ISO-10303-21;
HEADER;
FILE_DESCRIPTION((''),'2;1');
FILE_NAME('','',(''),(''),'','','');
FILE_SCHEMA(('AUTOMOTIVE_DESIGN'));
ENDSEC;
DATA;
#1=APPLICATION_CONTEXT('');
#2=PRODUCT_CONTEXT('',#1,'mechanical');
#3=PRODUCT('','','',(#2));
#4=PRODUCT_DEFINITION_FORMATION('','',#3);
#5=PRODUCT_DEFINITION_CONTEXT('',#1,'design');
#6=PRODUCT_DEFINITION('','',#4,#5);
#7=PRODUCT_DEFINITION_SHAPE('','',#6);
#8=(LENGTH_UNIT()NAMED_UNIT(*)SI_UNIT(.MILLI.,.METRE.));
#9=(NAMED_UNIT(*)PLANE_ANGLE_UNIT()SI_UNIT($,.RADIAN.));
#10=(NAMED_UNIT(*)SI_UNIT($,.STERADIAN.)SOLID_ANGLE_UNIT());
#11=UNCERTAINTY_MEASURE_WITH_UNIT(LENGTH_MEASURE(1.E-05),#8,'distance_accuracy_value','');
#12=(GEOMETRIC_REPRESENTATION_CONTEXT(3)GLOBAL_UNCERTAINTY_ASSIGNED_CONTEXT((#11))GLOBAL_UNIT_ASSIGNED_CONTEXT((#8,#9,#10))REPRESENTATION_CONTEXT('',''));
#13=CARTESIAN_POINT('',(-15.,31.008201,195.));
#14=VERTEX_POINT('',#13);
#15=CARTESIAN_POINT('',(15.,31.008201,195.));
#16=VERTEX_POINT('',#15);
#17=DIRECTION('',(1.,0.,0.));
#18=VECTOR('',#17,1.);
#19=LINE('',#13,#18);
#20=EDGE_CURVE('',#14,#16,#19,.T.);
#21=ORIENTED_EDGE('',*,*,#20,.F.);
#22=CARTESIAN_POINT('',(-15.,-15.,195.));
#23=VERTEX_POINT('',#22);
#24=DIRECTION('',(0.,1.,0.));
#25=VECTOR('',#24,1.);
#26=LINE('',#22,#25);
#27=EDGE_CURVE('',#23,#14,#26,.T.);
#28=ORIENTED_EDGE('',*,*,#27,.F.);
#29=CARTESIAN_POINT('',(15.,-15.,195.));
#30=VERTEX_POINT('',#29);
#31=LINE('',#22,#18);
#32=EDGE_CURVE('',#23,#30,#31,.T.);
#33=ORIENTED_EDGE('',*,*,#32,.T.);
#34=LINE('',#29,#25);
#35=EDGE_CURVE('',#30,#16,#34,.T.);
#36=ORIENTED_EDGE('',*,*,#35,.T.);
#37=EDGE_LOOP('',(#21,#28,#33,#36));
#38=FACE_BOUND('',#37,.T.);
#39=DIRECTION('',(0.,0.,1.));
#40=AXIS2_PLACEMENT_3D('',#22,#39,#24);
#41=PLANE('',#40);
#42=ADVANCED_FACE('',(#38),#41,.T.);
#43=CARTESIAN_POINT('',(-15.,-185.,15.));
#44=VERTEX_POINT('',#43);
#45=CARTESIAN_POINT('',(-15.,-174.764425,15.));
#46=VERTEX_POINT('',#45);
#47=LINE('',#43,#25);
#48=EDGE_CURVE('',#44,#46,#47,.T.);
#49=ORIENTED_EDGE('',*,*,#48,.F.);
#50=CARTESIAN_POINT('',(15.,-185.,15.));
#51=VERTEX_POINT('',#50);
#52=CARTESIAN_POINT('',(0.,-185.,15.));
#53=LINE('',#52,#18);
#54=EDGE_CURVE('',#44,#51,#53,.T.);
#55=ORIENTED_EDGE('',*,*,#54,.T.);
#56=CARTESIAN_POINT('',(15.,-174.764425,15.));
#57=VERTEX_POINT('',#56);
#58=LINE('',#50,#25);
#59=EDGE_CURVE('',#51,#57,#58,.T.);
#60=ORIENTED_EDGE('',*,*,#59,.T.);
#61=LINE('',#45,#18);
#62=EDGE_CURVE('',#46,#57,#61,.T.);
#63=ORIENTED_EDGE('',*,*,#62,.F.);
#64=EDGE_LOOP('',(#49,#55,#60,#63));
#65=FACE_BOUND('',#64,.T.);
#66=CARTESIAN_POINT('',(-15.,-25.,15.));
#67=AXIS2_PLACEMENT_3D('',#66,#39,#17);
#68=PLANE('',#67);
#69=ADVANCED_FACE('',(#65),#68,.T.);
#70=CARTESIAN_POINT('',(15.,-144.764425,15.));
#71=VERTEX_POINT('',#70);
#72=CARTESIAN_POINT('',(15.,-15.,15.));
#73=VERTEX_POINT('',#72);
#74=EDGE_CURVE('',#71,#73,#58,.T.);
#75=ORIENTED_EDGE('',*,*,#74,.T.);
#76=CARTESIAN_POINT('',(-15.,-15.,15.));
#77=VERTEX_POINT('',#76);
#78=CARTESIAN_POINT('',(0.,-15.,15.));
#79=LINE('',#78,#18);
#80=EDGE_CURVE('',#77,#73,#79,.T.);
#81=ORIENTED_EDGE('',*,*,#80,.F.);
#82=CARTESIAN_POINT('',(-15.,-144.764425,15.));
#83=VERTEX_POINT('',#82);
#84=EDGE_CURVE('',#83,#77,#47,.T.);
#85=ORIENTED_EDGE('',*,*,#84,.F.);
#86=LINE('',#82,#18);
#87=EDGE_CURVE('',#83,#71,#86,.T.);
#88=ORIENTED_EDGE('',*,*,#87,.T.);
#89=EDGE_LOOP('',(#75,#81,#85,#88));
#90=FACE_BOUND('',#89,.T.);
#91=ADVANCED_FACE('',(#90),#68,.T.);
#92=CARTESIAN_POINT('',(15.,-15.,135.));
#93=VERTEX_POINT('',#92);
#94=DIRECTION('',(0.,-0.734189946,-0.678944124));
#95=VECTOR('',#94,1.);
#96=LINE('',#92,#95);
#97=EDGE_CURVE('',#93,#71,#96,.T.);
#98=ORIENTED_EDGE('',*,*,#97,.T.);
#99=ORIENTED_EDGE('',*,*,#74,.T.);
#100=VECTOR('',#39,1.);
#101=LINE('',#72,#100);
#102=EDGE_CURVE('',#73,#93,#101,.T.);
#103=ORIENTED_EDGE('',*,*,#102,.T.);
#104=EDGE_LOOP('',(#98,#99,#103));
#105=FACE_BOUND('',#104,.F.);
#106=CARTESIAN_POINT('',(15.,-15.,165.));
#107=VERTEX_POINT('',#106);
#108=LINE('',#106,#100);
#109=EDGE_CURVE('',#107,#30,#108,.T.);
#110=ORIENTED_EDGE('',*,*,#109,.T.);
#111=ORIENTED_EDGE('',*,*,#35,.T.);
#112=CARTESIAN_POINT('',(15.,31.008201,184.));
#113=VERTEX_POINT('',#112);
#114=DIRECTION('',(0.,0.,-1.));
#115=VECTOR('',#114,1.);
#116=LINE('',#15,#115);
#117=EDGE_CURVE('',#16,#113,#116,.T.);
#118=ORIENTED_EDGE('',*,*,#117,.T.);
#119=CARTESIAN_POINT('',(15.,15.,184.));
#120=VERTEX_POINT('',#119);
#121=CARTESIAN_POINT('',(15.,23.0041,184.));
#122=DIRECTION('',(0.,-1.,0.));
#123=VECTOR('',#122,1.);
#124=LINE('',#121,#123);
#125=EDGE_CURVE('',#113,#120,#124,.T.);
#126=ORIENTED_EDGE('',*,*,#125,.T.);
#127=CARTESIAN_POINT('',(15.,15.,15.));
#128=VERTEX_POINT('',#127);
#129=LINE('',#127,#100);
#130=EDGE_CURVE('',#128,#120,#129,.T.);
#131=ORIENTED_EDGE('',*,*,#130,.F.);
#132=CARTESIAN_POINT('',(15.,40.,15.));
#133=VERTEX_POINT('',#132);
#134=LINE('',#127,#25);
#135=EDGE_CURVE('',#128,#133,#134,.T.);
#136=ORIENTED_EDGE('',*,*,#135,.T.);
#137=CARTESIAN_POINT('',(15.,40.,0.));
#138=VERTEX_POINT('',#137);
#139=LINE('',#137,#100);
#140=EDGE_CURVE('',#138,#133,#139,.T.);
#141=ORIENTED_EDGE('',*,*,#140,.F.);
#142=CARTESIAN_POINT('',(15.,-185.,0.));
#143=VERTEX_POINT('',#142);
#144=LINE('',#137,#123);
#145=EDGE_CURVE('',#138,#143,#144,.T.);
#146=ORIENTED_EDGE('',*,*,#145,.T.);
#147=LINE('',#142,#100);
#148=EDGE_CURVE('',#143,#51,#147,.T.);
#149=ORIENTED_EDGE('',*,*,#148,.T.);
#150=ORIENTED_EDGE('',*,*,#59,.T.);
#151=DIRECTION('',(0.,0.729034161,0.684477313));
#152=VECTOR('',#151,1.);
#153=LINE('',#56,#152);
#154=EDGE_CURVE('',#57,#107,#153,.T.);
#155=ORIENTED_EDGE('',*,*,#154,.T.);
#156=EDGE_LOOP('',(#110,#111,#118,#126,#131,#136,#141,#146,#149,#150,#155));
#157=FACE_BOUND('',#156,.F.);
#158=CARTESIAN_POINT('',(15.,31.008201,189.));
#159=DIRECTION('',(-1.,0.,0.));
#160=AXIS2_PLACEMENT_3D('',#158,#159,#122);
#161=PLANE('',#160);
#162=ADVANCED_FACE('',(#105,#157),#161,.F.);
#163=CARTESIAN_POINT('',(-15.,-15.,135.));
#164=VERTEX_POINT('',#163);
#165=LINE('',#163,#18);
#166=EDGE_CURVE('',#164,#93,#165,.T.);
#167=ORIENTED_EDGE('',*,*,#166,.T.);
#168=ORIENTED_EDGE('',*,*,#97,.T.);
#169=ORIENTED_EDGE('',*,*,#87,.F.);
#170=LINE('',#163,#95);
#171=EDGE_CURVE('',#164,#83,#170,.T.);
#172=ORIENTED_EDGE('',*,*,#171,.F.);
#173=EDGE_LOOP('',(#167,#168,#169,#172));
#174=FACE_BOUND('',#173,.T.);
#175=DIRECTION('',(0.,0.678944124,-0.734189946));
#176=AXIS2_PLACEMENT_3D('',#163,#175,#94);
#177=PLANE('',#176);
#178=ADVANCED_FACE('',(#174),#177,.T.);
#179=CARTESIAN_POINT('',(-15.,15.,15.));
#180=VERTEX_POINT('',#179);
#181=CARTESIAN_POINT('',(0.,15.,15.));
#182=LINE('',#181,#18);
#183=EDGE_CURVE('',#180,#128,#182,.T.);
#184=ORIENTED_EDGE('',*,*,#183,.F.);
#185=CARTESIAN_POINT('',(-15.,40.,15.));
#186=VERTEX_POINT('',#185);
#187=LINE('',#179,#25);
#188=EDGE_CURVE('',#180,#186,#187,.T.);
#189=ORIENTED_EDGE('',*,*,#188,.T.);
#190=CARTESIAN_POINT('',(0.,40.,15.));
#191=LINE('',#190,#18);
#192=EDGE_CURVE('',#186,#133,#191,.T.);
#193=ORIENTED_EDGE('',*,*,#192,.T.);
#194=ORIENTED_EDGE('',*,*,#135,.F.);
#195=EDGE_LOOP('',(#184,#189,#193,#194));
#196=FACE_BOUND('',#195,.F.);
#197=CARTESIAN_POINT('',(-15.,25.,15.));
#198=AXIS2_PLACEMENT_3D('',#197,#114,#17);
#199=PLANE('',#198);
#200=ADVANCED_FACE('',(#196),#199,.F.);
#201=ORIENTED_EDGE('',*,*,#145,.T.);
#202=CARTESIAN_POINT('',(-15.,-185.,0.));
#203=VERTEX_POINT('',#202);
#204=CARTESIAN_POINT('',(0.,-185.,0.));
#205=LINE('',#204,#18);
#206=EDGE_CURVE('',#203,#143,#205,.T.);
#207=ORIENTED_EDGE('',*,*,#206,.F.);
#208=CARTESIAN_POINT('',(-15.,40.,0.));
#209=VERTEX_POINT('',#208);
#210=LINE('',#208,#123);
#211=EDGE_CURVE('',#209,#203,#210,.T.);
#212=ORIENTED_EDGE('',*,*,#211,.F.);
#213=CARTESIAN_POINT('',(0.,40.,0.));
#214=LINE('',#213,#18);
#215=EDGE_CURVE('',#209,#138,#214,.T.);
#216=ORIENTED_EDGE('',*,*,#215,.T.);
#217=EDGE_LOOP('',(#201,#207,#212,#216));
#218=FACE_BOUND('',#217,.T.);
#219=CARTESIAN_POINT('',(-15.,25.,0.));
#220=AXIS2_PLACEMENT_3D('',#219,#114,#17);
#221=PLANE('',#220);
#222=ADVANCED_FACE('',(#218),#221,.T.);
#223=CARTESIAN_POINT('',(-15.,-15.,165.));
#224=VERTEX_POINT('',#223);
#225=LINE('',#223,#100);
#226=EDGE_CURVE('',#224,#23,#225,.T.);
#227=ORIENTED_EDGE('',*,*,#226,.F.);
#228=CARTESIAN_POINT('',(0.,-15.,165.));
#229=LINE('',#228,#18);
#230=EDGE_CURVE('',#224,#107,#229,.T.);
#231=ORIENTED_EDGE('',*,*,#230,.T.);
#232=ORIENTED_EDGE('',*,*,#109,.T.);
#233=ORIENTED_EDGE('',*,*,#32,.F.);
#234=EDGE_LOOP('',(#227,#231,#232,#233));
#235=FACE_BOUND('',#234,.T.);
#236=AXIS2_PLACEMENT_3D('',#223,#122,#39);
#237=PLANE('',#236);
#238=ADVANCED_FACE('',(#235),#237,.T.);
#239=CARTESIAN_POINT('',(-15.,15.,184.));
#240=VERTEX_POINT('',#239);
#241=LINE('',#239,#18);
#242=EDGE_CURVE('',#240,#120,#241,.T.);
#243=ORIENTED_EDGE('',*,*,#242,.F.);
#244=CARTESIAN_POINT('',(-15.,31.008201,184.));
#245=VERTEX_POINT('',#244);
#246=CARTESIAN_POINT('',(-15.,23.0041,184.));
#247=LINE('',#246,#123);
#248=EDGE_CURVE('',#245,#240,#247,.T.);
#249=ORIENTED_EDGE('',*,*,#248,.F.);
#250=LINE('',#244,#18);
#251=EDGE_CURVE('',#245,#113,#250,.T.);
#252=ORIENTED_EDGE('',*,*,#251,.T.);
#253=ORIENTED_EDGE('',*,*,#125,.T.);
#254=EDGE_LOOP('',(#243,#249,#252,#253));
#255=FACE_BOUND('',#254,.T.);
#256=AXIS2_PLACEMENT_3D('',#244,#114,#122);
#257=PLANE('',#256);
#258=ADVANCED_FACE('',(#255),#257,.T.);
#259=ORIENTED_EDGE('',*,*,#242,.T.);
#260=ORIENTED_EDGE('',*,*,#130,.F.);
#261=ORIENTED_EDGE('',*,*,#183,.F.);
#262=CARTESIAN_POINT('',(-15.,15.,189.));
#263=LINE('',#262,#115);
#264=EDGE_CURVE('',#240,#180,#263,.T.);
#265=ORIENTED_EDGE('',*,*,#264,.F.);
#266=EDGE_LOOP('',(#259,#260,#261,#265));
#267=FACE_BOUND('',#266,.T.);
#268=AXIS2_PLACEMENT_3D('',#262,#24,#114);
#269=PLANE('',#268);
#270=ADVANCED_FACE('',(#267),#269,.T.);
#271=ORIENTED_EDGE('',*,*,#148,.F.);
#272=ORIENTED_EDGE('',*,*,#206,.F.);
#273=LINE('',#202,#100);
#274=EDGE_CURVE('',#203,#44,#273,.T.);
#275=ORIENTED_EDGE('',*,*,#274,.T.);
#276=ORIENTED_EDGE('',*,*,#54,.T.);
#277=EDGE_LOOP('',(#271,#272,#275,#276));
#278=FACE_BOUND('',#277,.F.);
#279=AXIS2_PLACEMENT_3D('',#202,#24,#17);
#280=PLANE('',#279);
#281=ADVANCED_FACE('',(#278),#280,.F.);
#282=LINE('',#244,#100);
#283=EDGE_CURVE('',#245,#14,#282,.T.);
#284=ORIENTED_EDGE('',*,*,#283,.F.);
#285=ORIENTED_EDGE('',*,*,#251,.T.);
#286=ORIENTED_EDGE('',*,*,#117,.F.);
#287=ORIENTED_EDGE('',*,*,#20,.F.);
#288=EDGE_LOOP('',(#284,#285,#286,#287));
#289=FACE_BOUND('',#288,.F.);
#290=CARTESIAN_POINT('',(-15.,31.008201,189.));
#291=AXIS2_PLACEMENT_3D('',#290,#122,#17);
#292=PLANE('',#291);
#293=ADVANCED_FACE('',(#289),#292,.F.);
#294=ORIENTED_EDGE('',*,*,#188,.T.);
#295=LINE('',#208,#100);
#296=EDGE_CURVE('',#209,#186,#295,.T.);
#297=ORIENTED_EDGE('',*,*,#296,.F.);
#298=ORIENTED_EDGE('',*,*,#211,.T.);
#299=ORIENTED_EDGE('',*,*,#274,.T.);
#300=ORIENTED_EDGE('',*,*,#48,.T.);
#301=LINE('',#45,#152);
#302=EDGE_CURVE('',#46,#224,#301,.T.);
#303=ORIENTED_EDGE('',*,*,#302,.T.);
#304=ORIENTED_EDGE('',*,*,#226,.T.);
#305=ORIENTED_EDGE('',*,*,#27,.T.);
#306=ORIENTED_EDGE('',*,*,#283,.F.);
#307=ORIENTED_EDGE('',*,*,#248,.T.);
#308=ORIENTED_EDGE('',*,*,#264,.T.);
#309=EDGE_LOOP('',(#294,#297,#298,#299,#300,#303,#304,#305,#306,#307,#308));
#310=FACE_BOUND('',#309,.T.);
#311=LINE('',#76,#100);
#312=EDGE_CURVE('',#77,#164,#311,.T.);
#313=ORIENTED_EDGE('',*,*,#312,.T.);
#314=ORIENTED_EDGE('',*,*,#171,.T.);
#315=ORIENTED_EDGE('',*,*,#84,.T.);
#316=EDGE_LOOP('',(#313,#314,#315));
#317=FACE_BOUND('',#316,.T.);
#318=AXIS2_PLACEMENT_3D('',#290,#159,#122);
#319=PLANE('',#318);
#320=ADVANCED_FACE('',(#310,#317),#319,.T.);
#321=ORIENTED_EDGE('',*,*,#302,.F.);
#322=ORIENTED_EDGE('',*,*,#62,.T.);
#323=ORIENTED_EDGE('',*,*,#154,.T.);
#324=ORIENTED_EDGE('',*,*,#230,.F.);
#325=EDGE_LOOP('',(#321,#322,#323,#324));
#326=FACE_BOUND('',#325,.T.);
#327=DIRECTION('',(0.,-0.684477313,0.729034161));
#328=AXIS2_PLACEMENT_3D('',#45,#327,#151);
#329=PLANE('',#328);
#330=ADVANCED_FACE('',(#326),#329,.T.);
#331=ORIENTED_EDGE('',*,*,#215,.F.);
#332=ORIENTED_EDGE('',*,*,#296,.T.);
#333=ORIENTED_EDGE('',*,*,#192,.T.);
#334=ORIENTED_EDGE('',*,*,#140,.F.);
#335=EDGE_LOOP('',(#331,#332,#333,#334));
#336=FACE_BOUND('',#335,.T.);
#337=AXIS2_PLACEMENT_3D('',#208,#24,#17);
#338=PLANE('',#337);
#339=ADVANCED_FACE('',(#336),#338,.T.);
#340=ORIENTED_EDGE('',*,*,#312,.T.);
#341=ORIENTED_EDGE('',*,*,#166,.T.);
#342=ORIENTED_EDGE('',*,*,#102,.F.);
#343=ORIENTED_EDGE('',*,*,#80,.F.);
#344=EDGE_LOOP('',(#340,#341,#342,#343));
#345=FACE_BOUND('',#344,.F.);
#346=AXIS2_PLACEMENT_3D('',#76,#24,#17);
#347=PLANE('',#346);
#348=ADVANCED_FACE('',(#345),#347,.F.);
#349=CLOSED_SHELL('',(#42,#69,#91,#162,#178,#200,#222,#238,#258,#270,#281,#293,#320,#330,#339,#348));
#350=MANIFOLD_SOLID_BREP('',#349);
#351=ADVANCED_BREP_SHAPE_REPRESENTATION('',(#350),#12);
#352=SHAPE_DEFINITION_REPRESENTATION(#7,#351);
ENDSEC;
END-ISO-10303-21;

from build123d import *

# Parameters (mm, degrees)
F0_W      = 30
F0_H      = 50
F1_DEPTH  = 15
F2_W      = 30
F2_H      = 30
F3_DEPTH  = 150
F4_DEPTH  = 160
F6_DEPTH  = 30
F7_W      = 16.00820072
F7_H      = 6
F8_DEPTH  = 30
F9_DEPTH  = 15
F10_DEPTH = 5


with BuildPart() as f1:
    # F0 (on Top) → F1 (new body)
    with BuildSketch(Plane.XY):
        Rectangle(F0_W, F0_H)
    extrude(amount=F1_DEPTH)

    # F2 (on face) → F3 (join)
    with BuildSketch(Plane.XY.offset(15)):
        Rectangle(F2_W, F2_H)
    extrude(amount=F3_DEPTH)

    # F4 (add): a face of the model
    f4_faces = [f1.faces().sort_by_distance(p)[0] for p in [
        (0, -25, 7.5),
    ]]
    extrude(f4_faces, amount=F4_DEPTH)

    # F5 (on face) → F6 (join)
    with BuildSketch(Plane(origin=(-15, 0, 0), x_dir=(0, -1, 0), z_dir=(-1, 0, 0))):
        Polygon((144.7644245625, 15), (174.7644245625, 15), (15, 165), (15, 135), align=None)
    extrude(amount=-F6_DEPTH)

    # F7 (on face) → F8 (join)
    with BuildSketch(Plane(origin=(-15, 0, 0), x_dir=(0, -1, 0), z_dir=(-1, 0, 0))):
        Polygon((-15, 189), (-15, 165), (15, 165), (15, 195), (-15, 195), align=None)
        with Locations((-23.00410036, 192)):
            Rectangle(F7_W, F7_H)
    extrude(amount=-F8_DEPTH)

    # F9 (add): a face of the model
    f9_faces = [f1.faces().sort_by_distance(p)[0] for p in [
        (0, 25, 7.5),
    ]]
    extrude(f9_faces, amount=F9_DEPTH)

    # F10 (add): a face of the model
    f10_faces = [f1.faces().sort_by_distance(p)[0] for p in [
        (0, 23.00410036, 189),
    ]]
    extrude(f10_faces, amount=F10_DEPTH)


solid = f1.part
